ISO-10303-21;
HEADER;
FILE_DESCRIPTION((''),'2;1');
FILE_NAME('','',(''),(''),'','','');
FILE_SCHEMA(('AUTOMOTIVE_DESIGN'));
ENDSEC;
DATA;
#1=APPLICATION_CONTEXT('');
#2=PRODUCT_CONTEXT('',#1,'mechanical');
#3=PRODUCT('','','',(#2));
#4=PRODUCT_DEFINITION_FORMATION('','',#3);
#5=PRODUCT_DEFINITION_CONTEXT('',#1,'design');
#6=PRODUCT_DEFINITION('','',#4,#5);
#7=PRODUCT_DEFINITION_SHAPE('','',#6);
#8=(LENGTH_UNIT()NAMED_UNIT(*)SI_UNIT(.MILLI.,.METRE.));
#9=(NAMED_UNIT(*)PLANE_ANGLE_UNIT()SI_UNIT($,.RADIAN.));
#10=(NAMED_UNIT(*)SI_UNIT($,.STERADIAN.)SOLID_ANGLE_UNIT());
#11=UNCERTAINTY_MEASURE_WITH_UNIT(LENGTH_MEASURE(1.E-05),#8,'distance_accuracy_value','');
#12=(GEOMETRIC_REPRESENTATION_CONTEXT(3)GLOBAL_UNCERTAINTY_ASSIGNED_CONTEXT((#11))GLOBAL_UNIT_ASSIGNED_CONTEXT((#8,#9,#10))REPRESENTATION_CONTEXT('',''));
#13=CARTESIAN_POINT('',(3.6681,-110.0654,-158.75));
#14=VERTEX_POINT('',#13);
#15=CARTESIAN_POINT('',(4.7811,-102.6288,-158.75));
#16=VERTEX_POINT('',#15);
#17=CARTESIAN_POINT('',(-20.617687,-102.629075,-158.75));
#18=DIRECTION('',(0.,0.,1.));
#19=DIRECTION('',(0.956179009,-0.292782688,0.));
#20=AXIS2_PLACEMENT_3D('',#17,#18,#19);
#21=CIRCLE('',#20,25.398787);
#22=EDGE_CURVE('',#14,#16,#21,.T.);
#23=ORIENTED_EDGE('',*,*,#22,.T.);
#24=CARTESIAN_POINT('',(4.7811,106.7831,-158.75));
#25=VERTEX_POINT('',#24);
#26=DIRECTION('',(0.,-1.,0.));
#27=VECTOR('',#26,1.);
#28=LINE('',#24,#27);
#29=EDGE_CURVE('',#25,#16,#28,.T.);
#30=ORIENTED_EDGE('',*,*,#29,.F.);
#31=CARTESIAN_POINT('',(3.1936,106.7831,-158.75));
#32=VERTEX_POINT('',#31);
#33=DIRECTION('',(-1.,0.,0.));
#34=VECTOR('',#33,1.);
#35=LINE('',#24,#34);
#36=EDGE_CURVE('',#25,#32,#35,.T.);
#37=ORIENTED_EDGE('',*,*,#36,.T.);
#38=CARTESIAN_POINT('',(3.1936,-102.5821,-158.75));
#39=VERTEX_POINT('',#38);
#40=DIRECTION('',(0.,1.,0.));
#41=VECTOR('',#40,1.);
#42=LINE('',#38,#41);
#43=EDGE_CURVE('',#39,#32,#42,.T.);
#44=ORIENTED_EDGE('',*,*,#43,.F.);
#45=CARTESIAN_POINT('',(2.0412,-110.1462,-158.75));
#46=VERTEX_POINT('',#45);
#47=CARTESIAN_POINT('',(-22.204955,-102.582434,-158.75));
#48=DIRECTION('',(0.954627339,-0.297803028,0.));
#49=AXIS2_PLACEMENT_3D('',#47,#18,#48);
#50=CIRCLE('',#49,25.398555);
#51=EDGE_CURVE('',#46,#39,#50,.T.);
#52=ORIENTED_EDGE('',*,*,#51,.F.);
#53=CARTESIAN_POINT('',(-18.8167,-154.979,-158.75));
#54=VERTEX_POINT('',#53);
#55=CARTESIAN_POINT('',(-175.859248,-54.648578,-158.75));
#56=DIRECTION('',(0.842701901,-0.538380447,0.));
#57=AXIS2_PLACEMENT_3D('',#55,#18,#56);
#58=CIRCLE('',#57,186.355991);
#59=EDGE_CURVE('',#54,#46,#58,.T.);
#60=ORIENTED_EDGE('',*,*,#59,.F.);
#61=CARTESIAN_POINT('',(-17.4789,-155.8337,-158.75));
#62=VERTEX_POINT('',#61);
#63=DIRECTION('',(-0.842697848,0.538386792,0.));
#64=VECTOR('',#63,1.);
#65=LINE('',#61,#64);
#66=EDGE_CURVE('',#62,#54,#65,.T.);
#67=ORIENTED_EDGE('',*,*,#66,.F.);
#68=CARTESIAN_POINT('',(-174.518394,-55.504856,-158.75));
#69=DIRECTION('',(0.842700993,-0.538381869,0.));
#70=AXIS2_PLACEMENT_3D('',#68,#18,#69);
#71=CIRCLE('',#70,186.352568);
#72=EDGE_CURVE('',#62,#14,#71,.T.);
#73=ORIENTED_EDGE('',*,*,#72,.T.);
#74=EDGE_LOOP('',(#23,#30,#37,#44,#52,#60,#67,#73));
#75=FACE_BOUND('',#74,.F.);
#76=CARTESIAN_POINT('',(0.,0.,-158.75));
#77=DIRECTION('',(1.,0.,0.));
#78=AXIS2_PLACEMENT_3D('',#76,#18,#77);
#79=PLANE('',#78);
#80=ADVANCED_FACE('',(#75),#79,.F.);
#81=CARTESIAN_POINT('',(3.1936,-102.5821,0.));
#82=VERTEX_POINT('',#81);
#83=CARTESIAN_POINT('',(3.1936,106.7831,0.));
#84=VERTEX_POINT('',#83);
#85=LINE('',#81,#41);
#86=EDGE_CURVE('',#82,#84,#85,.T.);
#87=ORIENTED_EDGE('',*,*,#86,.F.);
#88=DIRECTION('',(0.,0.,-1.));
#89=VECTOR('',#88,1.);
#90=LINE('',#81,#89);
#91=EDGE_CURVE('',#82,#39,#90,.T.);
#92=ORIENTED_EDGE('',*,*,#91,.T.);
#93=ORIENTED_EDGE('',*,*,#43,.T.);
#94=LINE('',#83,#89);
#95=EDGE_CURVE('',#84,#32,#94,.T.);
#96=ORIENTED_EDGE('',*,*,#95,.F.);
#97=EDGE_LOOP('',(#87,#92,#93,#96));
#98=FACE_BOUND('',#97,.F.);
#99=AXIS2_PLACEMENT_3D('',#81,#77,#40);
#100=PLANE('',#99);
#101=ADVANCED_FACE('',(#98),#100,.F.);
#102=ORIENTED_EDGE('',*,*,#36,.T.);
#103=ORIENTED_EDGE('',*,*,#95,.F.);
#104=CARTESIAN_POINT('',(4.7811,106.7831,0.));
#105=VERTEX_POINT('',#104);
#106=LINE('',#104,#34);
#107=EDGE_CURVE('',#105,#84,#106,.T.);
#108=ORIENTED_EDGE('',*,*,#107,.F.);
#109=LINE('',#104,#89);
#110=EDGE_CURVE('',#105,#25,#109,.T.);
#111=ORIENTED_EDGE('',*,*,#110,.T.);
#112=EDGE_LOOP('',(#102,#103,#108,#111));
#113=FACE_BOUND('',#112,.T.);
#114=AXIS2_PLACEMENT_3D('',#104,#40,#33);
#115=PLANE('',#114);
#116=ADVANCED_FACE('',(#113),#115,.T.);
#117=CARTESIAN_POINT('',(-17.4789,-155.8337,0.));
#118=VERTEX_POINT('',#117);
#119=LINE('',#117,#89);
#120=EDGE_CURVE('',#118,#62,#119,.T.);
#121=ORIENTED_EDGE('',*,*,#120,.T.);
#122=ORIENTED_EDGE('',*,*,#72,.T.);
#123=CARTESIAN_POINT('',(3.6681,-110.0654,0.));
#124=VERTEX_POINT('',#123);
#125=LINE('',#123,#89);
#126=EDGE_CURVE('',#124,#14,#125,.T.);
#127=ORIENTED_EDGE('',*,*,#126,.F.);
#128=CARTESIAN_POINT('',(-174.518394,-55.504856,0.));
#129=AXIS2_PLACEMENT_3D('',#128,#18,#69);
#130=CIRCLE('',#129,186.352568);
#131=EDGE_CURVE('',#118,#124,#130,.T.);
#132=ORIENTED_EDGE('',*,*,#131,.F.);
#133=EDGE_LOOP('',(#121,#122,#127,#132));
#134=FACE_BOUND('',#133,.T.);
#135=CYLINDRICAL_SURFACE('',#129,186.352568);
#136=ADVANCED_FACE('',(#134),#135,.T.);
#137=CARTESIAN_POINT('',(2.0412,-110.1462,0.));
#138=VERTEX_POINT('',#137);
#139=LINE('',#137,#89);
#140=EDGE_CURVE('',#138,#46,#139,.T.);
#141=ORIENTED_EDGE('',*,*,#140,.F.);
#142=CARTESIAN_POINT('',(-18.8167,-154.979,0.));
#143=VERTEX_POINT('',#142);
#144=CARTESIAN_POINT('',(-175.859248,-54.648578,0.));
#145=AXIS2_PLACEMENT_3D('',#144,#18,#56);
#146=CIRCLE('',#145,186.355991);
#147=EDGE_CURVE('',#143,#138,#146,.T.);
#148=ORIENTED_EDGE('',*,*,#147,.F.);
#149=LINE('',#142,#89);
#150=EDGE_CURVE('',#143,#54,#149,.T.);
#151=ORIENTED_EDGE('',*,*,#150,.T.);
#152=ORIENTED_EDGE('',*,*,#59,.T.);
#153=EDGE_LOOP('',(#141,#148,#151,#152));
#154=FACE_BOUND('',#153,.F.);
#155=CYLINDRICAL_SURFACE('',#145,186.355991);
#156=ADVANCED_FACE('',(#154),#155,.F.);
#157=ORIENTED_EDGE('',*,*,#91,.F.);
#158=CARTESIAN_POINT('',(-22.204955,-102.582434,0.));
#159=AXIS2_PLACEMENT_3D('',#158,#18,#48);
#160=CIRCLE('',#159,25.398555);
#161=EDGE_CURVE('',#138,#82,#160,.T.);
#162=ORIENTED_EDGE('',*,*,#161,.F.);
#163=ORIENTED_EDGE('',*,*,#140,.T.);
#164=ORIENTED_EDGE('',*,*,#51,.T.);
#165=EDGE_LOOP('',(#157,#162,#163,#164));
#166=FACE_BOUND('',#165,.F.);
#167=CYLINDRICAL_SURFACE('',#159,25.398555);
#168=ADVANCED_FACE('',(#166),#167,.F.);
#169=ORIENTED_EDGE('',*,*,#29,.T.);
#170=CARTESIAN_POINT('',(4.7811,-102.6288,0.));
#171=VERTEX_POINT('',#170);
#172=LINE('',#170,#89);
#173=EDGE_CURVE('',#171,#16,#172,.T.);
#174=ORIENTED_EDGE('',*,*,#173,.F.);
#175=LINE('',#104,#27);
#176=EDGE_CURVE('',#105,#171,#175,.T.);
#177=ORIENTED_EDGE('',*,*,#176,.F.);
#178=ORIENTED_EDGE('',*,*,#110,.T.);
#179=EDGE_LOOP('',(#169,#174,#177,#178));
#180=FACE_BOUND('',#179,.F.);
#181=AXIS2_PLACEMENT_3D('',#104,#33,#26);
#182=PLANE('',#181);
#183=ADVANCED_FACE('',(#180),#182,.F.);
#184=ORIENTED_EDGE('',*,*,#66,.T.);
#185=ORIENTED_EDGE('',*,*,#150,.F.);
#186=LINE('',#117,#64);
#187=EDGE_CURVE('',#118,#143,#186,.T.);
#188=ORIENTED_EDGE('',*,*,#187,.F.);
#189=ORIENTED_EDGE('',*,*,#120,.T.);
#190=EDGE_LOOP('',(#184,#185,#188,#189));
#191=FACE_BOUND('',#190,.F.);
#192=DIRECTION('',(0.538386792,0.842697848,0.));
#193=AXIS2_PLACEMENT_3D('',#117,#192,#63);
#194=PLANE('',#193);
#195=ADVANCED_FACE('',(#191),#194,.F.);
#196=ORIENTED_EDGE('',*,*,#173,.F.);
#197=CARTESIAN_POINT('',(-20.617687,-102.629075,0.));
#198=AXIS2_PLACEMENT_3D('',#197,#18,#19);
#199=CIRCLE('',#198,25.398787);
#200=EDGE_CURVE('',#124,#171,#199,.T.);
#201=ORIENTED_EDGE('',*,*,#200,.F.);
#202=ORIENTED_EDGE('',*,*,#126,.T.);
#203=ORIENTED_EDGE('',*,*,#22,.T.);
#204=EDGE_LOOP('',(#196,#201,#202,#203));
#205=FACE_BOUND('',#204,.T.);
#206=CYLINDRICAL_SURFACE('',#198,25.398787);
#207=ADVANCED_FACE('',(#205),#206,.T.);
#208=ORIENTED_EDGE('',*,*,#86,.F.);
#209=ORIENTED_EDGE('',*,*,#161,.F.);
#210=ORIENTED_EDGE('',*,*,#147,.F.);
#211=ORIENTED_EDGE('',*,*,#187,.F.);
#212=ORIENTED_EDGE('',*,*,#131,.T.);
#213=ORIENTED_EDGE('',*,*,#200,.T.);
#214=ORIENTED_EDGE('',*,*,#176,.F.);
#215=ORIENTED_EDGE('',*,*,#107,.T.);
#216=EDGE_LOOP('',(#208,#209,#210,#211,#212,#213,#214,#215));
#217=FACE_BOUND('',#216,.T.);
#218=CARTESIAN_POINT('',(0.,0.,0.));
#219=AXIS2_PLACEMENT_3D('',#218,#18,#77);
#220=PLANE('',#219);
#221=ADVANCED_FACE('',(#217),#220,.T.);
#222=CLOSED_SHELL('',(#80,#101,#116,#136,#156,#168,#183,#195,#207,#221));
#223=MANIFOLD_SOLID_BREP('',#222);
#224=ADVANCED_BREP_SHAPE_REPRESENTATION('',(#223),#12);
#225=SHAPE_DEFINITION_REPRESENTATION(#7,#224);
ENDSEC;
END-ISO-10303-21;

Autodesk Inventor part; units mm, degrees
ref_plane "YZ Plane" through (0, 0, 0) normal (1, 0, 0) x (0, 1, 0)
ref_plane "XZ Plane" through (0, 0, 0) normal (0, 1, 0) x (-1, 0, 0)
ref_plane "XY Plane" through (0, 0, 0) normal (0, 0, 1) x (1, 0, 0)
ref_plane "Work Plane1" through (0, 0, 0) normal (0, 0, 1) x (1, 0, 0)
sketch "Sketch1" plane through (0, 0, 0) normal (0, 0, 1) x (1, 0, 0)
  line L0 (-5.0952, -133.1293) -> (-4.7767, -132.9202) construction
  arc A0 (-5.0952, -133.1293) -> (-0.7466, -139.7544) centre (-1.0882, -135.2389) ccw construction
  line L1 (4.7811, 106.7831) -> (4.7811, -102.6288)
  arc A1 (-17.4789, -155.8337) -> (3.6681, -110.0654) centre (-174.5174, -55.5054) ccw
  line L2 (4.7811, 106.7831) -> (3.1936, 106.7831)
  line L3 (4.7811, -105.9343) -> (6.3686, -105.9343) construction
  line L4 (3.1936, -102.5821) -> (3.1936, 106.7831)
  line L5 (-17.4789, -155.8337) -> (-18.8167, -154.979)
  line L6 (-174.5174, -55.5054) -> (-175.8552, -54.6508)
  line L7 (-174.5174, -55.5054) -> (-172.9299, -55.5054) construction
  arc A2 (-18.8167, -154.979) -> (2.0412, -110.1462) centre (-175.8552, -54.6508) ccw
  line L8 (3.1936, -105.9343) -> (3.1936, -105.9468)
  arc A3 (2.0412, -110.1462) -> (3.1936, -102.5821) centre (-22.2064, -102.5821) ccw
  arc A4 (3.6681, -110.0654) -> (4.7811, -102.6288) centre (-20.6189, -102.6288) ccw
  point P0 (0, 0)
  point P1 (4.7811, -106.2883)
  dimension "d1" = 1.5875
  dimension "d6" = 1.5875
  dimension "d7" = 1.5875
  dimension "d8" = 147.426
  dimension "d13" = 25.4
extrude "Extrusion1" add sketch "Sketch1" against normal blind 158.75
properties part number "Intake main polycarb" material "Polycarbonate, Clear"
